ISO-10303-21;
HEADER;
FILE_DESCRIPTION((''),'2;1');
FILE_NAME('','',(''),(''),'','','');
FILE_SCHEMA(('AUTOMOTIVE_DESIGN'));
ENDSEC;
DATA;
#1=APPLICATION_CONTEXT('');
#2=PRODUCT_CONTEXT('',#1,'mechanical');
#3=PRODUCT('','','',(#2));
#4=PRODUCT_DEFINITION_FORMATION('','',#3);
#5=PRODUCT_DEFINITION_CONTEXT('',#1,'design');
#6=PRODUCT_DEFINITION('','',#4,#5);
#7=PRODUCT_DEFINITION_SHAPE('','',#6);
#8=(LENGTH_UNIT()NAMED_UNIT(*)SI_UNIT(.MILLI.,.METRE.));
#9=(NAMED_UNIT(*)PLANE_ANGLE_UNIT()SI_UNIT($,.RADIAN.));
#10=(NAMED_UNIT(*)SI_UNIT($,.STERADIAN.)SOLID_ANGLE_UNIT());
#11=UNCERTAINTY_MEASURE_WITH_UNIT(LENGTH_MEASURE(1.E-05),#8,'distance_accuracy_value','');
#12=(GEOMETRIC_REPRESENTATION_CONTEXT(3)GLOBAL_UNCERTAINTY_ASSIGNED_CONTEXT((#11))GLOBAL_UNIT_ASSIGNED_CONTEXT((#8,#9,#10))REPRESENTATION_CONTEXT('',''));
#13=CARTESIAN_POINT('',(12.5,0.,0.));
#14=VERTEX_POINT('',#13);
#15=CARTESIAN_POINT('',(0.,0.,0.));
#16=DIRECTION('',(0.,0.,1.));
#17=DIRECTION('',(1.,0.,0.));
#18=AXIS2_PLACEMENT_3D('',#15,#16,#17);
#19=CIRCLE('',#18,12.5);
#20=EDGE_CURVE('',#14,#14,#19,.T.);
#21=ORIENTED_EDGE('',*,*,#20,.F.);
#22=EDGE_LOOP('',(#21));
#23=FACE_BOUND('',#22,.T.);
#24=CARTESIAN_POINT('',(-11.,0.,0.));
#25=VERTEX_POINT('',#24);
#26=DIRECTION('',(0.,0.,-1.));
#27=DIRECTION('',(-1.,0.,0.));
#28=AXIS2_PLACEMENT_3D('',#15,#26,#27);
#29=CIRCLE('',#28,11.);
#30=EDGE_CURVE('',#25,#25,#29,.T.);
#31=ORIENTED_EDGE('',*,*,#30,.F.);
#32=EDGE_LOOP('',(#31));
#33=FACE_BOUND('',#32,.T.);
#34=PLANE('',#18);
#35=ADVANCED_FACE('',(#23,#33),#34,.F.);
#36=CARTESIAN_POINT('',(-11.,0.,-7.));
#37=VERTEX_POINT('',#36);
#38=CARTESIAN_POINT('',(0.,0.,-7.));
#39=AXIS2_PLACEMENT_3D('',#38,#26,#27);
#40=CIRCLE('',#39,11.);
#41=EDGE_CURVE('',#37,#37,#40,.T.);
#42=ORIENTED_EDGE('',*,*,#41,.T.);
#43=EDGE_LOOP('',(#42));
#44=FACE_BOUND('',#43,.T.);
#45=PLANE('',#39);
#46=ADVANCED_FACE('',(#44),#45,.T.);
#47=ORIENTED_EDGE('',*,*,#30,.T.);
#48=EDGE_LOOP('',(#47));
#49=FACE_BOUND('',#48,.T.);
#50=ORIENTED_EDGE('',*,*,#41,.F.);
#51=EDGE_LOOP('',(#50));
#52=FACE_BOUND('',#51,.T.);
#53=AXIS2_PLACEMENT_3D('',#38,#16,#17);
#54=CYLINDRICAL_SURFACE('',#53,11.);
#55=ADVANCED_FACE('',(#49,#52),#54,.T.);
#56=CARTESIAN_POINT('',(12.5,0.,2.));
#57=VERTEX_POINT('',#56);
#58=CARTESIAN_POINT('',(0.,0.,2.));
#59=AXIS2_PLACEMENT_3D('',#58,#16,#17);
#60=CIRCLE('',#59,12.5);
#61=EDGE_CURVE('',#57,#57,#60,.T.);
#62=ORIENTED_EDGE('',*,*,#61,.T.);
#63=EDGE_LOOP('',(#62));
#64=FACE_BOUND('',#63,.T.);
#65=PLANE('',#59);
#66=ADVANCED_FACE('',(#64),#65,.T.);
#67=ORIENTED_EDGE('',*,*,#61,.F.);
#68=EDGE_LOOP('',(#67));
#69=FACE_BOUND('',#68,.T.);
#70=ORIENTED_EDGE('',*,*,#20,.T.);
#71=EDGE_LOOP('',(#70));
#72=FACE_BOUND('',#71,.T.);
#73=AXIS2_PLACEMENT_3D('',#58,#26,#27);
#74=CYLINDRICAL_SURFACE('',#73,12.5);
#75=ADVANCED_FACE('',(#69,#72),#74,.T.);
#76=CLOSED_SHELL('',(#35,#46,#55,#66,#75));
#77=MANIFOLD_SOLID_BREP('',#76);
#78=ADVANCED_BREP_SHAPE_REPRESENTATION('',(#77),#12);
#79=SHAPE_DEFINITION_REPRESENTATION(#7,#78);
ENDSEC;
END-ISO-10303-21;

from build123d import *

# Parameters (mm, degrees)
CROQUIS1_R              = 12.5
SALIENTE_EXTRUIR1_DEPTH = 2
CROQUIS2_R              = 11
SALIENTE_EXTRUIR2_DEPTH = 7


with BuildPart() as part:
    # Croquis1 → Saliente-Extruir1 (new body)
    with BuildSketch(Plane.XY):
        Circle(CROQUIS1_R)
    extrude(amount=SALIENTE_EXTRUIR1_DEPTH)

    # Croquis2 → Saliente-Extruir2 (add)
    with BuildSketch(Plane(origin=(0, 0, 0), x_dir=(-1, 0, 0), z_dir=(0, 0, -1))):
        Circle(CROQUIS2_R)
    extrude(amount=SALIENTE_EXTRUIR2_DEPTH)


solid = part.part
